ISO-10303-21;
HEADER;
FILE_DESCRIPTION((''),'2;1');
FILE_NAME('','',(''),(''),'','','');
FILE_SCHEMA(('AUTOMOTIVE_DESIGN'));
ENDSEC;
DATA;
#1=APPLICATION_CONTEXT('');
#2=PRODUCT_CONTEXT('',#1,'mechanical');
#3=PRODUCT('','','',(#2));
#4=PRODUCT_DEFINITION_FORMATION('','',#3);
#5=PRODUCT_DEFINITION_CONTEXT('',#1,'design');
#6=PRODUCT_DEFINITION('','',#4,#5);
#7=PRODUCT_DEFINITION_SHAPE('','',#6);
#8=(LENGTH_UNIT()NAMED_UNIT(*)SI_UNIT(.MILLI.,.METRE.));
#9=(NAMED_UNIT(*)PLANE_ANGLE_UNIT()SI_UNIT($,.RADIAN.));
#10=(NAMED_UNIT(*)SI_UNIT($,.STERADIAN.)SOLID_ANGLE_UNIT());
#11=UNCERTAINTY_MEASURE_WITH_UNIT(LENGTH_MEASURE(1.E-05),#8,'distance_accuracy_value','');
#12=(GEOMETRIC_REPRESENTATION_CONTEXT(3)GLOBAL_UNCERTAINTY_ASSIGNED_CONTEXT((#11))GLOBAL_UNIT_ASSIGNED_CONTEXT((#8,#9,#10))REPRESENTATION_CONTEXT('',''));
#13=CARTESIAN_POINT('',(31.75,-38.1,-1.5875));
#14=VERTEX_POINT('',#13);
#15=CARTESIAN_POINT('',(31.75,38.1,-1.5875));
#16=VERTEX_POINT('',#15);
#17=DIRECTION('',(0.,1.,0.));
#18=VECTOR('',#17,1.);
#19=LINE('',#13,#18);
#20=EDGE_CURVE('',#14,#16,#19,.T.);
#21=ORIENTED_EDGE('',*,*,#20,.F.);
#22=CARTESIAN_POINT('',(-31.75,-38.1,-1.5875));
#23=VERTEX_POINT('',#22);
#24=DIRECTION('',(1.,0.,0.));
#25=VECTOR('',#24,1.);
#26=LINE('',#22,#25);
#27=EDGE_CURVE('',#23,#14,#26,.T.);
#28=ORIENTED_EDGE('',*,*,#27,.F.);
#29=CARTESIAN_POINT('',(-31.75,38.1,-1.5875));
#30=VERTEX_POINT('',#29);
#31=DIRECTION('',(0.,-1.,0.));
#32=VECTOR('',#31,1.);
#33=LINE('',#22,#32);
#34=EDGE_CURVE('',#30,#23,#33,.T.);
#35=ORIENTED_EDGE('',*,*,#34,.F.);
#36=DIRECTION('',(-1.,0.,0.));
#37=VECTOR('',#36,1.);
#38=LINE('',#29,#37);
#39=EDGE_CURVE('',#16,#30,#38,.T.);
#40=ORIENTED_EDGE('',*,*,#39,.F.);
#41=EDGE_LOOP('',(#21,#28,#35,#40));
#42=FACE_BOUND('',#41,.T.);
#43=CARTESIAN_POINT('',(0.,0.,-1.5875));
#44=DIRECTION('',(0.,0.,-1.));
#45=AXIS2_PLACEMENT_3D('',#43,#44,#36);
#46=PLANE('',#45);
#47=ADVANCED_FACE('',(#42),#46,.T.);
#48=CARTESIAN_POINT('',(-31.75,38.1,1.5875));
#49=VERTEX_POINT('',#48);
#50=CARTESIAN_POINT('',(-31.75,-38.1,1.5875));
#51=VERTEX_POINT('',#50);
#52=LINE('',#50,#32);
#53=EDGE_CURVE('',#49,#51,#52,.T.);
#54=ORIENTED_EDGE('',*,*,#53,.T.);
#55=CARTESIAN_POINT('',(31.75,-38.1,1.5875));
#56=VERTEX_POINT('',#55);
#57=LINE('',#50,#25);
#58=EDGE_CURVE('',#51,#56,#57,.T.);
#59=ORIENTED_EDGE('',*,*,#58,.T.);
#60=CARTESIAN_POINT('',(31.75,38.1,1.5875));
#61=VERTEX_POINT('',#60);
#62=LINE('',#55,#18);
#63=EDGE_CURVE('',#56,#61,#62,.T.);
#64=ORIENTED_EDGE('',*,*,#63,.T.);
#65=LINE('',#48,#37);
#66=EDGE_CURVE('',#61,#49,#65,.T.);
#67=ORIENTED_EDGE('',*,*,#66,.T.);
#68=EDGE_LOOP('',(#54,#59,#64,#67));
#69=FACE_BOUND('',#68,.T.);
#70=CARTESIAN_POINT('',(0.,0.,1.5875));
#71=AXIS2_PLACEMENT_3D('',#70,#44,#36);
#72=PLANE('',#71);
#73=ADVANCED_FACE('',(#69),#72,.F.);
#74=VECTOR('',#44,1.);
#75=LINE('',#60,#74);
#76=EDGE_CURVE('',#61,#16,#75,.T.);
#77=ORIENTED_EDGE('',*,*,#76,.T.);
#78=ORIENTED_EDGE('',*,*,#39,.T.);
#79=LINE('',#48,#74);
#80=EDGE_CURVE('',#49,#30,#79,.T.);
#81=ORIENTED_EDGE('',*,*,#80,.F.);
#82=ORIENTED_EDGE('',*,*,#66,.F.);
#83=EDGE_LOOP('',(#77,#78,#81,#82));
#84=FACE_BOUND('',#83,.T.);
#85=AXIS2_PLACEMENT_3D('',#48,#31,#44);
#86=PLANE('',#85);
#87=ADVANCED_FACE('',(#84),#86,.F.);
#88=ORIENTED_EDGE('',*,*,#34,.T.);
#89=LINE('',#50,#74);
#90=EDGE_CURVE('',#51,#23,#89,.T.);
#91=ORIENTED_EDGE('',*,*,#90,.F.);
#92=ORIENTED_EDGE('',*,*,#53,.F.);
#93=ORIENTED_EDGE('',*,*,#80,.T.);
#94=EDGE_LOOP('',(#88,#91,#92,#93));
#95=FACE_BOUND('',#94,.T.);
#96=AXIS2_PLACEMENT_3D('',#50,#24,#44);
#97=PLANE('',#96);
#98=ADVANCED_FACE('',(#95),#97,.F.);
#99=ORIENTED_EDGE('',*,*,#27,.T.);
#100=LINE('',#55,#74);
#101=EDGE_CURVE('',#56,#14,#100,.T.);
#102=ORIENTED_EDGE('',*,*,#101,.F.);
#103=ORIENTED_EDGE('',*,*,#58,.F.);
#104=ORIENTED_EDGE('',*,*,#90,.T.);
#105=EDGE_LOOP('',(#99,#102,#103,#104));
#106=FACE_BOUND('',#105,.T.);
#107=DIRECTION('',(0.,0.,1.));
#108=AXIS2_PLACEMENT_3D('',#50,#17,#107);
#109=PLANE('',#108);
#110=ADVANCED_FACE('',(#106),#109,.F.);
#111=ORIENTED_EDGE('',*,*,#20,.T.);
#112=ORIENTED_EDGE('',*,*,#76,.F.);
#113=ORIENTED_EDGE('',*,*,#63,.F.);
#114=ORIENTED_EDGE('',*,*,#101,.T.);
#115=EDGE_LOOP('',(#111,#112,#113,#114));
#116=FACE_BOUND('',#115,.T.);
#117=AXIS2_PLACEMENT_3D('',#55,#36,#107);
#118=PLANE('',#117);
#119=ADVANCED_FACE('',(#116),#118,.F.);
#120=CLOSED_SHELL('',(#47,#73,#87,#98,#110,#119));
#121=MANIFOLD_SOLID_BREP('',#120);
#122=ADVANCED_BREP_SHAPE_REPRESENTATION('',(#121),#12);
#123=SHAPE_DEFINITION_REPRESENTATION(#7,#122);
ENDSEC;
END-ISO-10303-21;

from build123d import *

# Parameters (mm, degrees)
SKETCH2_W           = 63.5
SKETCH2_H           = 76.2
BOSS_EXTRUDE1_DEPTH = 1.5875


with BuildPart() as part:
    # Sketch2 → Boss-Extrude1 (new body, symmetric)
    with BuildSketch(Plane.XY):
        Rectangle(SKETCH2_W, SKETCH2_H)
    extrude(amount=BOSS_EXTRUDE1_DEPTH, both=True)


solid = part.part
